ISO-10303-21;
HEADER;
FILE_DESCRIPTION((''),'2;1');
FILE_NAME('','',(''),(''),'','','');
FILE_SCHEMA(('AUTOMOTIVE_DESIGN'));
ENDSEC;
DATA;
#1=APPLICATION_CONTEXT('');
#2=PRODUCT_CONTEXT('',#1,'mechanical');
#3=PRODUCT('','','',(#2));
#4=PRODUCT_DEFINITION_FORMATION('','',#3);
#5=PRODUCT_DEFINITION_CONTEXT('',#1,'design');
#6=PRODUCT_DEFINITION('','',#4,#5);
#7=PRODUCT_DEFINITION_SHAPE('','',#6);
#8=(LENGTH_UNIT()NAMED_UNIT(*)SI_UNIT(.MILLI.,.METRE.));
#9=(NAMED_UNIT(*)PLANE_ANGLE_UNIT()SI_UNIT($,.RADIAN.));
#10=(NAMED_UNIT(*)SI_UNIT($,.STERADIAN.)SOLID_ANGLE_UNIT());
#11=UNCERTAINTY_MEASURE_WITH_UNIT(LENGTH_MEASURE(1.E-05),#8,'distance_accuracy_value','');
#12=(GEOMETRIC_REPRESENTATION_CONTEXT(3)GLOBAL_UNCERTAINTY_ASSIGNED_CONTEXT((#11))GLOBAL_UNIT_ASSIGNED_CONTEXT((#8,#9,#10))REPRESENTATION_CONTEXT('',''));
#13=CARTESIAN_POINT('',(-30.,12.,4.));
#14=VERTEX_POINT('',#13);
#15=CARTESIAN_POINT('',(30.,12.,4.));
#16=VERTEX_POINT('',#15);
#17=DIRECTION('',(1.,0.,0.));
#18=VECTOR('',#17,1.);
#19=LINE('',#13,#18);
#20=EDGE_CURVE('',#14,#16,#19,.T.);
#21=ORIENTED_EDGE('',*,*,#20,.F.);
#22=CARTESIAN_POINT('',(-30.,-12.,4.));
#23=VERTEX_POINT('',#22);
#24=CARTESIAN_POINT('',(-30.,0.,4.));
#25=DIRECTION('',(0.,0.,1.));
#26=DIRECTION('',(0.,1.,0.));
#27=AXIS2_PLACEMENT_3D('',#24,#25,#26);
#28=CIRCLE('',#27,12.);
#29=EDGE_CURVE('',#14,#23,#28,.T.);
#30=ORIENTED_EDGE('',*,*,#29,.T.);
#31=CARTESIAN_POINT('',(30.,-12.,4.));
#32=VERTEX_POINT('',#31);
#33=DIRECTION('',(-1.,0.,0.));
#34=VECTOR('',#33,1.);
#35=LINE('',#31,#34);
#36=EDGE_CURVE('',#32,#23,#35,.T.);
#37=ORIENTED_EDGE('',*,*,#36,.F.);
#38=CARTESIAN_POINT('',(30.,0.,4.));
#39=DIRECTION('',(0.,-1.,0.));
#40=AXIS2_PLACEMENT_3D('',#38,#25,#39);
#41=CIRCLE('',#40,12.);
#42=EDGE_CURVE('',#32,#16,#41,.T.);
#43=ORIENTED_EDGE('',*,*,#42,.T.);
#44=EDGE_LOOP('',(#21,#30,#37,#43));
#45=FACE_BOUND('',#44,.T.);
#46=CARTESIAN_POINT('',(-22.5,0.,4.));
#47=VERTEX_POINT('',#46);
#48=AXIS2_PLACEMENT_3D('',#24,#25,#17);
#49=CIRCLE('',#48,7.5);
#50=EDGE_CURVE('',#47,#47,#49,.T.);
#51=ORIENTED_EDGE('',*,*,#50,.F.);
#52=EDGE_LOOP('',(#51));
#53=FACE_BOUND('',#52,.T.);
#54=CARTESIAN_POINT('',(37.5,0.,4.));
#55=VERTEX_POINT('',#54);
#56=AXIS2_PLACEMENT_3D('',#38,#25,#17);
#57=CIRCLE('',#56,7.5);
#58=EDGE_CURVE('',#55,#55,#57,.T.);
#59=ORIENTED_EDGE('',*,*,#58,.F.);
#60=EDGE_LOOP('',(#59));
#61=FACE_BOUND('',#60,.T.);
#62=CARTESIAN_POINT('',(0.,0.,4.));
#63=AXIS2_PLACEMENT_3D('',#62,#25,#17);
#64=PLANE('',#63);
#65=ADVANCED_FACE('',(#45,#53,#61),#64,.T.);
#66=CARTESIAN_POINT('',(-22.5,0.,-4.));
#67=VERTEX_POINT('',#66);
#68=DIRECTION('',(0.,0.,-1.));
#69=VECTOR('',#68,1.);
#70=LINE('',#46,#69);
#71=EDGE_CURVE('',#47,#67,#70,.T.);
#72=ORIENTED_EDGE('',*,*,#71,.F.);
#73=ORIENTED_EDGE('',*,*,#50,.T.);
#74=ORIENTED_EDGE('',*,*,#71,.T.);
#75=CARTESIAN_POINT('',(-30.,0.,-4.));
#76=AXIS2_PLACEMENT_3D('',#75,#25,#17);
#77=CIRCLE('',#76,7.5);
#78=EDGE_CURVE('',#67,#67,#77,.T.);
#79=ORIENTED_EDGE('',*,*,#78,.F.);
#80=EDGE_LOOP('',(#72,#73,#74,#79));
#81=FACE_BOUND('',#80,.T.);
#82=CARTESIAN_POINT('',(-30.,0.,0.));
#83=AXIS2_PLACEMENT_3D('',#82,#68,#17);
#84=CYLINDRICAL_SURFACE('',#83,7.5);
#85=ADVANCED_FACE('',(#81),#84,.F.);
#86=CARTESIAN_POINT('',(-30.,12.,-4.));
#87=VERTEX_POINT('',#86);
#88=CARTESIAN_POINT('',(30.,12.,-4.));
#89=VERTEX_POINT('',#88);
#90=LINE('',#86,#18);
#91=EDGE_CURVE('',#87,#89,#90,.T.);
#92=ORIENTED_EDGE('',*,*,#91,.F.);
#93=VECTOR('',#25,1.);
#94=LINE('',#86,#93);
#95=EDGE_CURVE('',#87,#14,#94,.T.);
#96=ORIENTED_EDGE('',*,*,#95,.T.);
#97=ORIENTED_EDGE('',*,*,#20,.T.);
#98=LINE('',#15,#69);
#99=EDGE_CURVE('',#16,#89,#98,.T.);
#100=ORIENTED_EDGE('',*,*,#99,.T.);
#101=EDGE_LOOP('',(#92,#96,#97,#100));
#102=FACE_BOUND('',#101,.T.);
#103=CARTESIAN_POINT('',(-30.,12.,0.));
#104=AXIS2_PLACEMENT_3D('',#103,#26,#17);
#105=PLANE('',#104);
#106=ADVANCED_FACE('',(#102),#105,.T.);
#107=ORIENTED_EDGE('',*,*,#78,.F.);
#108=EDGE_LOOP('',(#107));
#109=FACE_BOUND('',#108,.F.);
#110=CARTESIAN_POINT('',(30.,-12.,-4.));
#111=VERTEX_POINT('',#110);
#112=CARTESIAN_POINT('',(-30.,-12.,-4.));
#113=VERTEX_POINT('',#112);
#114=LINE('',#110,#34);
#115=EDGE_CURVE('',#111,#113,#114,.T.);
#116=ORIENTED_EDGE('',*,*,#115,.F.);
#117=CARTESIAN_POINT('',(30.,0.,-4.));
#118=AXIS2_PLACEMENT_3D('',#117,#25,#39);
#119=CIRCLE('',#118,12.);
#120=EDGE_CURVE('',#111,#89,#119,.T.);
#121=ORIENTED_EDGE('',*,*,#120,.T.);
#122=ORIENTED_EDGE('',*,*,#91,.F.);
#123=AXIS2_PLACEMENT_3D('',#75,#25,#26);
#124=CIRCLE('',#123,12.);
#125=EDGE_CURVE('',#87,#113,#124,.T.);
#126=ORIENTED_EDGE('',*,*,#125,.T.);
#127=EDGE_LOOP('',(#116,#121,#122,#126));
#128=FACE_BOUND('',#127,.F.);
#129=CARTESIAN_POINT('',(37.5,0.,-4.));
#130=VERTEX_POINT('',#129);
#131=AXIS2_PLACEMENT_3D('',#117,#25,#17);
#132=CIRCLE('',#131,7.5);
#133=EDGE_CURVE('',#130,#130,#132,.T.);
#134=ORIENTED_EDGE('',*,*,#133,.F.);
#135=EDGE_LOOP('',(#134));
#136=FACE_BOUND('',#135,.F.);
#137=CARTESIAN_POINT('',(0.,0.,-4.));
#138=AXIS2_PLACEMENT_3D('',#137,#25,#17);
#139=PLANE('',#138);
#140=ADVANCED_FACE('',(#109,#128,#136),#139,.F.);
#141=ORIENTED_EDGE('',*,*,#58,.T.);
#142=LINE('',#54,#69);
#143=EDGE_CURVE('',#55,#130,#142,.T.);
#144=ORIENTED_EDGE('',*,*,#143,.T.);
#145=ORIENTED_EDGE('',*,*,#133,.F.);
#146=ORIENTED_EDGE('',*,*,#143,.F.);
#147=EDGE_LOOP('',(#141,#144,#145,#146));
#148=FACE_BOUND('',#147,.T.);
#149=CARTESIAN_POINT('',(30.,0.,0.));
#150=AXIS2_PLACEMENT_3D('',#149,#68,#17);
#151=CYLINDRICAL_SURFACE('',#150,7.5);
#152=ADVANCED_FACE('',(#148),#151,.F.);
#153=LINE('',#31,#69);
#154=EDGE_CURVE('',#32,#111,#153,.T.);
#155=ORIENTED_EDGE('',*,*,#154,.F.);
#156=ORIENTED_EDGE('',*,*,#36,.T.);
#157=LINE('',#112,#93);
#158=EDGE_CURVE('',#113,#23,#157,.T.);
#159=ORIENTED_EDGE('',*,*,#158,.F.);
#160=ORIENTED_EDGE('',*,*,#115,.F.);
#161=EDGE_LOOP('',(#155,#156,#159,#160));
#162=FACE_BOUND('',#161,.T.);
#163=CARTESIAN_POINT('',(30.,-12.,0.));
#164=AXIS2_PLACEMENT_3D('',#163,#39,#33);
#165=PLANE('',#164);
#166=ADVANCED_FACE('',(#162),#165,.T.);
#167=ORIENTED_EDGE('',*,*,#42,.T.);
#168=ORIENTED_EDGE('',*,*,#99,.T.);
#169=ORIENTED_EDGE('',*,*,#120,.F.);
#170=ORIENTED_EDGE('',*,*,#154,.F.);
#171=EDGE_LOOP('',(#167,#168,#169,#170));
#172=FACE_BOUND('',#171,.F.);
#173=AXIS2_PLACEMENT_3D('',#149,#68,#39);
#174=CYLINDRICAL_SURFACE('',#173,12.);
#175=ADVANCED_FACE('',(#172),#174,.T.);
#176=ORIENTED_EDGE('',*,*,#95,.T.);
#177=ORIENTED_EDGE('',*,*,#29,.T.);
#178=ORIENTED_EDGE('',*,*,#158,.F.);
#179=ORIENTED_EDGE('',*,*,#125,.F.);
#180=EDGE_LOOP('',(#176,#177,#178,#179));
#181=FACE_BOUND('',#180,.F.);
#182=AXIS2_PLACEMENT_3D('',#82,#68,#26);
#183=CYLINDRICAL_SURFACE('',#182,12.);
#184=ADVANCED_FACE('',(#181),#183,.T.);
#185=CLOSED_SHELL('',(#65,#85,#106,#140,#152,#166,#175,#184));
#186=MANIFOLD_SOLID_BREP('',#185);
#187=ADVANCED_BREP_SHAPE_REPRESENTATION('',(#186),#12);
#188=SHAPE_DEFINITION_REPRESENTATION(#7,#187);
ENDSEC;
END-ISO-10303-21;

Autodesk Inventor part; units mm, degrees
ref_plane "YZ Plane" through (0, 0, 0) normal (1, 0, 0) x (0, 1, 0)
ref_plane "XZ Plane" through (0, 0, 0) normal (0, 1, 0) x (-1, 0, 0)
ref_plane "XY Plane" through (0, 0, 0) normal (0, 0, 1) x (1, 0, 0)
sketch "Sketch1" plane through (0, 0, 0) normal (0, 0, 1) x (1, 0, 0)
  line L0 (-30, 0) -> (30, 0) construction
  line L1 (-30, 12) -> (30, 12)
  line L2 (30, -12) -> (-30, -12)
  arc A0 (-30, 12) -> (-30, -12) centre (-30, 0) ccw
  arc A1 (30, -12) -> (30, 12) centre (30, 0) ccw
  circle A2 centre (-30, 0) radius 7.5
  circle A3 centre (30, 0) radius 7.5
  point P0 (0, 0)
  dimension "d0" = 60
  dimension "d1" = 12
  dimension "d2" = 15
extrude "Extrusion1" add sketch "Sketch1" along normal mid plane 8
properties part number "CE-9.3.2-crank"
